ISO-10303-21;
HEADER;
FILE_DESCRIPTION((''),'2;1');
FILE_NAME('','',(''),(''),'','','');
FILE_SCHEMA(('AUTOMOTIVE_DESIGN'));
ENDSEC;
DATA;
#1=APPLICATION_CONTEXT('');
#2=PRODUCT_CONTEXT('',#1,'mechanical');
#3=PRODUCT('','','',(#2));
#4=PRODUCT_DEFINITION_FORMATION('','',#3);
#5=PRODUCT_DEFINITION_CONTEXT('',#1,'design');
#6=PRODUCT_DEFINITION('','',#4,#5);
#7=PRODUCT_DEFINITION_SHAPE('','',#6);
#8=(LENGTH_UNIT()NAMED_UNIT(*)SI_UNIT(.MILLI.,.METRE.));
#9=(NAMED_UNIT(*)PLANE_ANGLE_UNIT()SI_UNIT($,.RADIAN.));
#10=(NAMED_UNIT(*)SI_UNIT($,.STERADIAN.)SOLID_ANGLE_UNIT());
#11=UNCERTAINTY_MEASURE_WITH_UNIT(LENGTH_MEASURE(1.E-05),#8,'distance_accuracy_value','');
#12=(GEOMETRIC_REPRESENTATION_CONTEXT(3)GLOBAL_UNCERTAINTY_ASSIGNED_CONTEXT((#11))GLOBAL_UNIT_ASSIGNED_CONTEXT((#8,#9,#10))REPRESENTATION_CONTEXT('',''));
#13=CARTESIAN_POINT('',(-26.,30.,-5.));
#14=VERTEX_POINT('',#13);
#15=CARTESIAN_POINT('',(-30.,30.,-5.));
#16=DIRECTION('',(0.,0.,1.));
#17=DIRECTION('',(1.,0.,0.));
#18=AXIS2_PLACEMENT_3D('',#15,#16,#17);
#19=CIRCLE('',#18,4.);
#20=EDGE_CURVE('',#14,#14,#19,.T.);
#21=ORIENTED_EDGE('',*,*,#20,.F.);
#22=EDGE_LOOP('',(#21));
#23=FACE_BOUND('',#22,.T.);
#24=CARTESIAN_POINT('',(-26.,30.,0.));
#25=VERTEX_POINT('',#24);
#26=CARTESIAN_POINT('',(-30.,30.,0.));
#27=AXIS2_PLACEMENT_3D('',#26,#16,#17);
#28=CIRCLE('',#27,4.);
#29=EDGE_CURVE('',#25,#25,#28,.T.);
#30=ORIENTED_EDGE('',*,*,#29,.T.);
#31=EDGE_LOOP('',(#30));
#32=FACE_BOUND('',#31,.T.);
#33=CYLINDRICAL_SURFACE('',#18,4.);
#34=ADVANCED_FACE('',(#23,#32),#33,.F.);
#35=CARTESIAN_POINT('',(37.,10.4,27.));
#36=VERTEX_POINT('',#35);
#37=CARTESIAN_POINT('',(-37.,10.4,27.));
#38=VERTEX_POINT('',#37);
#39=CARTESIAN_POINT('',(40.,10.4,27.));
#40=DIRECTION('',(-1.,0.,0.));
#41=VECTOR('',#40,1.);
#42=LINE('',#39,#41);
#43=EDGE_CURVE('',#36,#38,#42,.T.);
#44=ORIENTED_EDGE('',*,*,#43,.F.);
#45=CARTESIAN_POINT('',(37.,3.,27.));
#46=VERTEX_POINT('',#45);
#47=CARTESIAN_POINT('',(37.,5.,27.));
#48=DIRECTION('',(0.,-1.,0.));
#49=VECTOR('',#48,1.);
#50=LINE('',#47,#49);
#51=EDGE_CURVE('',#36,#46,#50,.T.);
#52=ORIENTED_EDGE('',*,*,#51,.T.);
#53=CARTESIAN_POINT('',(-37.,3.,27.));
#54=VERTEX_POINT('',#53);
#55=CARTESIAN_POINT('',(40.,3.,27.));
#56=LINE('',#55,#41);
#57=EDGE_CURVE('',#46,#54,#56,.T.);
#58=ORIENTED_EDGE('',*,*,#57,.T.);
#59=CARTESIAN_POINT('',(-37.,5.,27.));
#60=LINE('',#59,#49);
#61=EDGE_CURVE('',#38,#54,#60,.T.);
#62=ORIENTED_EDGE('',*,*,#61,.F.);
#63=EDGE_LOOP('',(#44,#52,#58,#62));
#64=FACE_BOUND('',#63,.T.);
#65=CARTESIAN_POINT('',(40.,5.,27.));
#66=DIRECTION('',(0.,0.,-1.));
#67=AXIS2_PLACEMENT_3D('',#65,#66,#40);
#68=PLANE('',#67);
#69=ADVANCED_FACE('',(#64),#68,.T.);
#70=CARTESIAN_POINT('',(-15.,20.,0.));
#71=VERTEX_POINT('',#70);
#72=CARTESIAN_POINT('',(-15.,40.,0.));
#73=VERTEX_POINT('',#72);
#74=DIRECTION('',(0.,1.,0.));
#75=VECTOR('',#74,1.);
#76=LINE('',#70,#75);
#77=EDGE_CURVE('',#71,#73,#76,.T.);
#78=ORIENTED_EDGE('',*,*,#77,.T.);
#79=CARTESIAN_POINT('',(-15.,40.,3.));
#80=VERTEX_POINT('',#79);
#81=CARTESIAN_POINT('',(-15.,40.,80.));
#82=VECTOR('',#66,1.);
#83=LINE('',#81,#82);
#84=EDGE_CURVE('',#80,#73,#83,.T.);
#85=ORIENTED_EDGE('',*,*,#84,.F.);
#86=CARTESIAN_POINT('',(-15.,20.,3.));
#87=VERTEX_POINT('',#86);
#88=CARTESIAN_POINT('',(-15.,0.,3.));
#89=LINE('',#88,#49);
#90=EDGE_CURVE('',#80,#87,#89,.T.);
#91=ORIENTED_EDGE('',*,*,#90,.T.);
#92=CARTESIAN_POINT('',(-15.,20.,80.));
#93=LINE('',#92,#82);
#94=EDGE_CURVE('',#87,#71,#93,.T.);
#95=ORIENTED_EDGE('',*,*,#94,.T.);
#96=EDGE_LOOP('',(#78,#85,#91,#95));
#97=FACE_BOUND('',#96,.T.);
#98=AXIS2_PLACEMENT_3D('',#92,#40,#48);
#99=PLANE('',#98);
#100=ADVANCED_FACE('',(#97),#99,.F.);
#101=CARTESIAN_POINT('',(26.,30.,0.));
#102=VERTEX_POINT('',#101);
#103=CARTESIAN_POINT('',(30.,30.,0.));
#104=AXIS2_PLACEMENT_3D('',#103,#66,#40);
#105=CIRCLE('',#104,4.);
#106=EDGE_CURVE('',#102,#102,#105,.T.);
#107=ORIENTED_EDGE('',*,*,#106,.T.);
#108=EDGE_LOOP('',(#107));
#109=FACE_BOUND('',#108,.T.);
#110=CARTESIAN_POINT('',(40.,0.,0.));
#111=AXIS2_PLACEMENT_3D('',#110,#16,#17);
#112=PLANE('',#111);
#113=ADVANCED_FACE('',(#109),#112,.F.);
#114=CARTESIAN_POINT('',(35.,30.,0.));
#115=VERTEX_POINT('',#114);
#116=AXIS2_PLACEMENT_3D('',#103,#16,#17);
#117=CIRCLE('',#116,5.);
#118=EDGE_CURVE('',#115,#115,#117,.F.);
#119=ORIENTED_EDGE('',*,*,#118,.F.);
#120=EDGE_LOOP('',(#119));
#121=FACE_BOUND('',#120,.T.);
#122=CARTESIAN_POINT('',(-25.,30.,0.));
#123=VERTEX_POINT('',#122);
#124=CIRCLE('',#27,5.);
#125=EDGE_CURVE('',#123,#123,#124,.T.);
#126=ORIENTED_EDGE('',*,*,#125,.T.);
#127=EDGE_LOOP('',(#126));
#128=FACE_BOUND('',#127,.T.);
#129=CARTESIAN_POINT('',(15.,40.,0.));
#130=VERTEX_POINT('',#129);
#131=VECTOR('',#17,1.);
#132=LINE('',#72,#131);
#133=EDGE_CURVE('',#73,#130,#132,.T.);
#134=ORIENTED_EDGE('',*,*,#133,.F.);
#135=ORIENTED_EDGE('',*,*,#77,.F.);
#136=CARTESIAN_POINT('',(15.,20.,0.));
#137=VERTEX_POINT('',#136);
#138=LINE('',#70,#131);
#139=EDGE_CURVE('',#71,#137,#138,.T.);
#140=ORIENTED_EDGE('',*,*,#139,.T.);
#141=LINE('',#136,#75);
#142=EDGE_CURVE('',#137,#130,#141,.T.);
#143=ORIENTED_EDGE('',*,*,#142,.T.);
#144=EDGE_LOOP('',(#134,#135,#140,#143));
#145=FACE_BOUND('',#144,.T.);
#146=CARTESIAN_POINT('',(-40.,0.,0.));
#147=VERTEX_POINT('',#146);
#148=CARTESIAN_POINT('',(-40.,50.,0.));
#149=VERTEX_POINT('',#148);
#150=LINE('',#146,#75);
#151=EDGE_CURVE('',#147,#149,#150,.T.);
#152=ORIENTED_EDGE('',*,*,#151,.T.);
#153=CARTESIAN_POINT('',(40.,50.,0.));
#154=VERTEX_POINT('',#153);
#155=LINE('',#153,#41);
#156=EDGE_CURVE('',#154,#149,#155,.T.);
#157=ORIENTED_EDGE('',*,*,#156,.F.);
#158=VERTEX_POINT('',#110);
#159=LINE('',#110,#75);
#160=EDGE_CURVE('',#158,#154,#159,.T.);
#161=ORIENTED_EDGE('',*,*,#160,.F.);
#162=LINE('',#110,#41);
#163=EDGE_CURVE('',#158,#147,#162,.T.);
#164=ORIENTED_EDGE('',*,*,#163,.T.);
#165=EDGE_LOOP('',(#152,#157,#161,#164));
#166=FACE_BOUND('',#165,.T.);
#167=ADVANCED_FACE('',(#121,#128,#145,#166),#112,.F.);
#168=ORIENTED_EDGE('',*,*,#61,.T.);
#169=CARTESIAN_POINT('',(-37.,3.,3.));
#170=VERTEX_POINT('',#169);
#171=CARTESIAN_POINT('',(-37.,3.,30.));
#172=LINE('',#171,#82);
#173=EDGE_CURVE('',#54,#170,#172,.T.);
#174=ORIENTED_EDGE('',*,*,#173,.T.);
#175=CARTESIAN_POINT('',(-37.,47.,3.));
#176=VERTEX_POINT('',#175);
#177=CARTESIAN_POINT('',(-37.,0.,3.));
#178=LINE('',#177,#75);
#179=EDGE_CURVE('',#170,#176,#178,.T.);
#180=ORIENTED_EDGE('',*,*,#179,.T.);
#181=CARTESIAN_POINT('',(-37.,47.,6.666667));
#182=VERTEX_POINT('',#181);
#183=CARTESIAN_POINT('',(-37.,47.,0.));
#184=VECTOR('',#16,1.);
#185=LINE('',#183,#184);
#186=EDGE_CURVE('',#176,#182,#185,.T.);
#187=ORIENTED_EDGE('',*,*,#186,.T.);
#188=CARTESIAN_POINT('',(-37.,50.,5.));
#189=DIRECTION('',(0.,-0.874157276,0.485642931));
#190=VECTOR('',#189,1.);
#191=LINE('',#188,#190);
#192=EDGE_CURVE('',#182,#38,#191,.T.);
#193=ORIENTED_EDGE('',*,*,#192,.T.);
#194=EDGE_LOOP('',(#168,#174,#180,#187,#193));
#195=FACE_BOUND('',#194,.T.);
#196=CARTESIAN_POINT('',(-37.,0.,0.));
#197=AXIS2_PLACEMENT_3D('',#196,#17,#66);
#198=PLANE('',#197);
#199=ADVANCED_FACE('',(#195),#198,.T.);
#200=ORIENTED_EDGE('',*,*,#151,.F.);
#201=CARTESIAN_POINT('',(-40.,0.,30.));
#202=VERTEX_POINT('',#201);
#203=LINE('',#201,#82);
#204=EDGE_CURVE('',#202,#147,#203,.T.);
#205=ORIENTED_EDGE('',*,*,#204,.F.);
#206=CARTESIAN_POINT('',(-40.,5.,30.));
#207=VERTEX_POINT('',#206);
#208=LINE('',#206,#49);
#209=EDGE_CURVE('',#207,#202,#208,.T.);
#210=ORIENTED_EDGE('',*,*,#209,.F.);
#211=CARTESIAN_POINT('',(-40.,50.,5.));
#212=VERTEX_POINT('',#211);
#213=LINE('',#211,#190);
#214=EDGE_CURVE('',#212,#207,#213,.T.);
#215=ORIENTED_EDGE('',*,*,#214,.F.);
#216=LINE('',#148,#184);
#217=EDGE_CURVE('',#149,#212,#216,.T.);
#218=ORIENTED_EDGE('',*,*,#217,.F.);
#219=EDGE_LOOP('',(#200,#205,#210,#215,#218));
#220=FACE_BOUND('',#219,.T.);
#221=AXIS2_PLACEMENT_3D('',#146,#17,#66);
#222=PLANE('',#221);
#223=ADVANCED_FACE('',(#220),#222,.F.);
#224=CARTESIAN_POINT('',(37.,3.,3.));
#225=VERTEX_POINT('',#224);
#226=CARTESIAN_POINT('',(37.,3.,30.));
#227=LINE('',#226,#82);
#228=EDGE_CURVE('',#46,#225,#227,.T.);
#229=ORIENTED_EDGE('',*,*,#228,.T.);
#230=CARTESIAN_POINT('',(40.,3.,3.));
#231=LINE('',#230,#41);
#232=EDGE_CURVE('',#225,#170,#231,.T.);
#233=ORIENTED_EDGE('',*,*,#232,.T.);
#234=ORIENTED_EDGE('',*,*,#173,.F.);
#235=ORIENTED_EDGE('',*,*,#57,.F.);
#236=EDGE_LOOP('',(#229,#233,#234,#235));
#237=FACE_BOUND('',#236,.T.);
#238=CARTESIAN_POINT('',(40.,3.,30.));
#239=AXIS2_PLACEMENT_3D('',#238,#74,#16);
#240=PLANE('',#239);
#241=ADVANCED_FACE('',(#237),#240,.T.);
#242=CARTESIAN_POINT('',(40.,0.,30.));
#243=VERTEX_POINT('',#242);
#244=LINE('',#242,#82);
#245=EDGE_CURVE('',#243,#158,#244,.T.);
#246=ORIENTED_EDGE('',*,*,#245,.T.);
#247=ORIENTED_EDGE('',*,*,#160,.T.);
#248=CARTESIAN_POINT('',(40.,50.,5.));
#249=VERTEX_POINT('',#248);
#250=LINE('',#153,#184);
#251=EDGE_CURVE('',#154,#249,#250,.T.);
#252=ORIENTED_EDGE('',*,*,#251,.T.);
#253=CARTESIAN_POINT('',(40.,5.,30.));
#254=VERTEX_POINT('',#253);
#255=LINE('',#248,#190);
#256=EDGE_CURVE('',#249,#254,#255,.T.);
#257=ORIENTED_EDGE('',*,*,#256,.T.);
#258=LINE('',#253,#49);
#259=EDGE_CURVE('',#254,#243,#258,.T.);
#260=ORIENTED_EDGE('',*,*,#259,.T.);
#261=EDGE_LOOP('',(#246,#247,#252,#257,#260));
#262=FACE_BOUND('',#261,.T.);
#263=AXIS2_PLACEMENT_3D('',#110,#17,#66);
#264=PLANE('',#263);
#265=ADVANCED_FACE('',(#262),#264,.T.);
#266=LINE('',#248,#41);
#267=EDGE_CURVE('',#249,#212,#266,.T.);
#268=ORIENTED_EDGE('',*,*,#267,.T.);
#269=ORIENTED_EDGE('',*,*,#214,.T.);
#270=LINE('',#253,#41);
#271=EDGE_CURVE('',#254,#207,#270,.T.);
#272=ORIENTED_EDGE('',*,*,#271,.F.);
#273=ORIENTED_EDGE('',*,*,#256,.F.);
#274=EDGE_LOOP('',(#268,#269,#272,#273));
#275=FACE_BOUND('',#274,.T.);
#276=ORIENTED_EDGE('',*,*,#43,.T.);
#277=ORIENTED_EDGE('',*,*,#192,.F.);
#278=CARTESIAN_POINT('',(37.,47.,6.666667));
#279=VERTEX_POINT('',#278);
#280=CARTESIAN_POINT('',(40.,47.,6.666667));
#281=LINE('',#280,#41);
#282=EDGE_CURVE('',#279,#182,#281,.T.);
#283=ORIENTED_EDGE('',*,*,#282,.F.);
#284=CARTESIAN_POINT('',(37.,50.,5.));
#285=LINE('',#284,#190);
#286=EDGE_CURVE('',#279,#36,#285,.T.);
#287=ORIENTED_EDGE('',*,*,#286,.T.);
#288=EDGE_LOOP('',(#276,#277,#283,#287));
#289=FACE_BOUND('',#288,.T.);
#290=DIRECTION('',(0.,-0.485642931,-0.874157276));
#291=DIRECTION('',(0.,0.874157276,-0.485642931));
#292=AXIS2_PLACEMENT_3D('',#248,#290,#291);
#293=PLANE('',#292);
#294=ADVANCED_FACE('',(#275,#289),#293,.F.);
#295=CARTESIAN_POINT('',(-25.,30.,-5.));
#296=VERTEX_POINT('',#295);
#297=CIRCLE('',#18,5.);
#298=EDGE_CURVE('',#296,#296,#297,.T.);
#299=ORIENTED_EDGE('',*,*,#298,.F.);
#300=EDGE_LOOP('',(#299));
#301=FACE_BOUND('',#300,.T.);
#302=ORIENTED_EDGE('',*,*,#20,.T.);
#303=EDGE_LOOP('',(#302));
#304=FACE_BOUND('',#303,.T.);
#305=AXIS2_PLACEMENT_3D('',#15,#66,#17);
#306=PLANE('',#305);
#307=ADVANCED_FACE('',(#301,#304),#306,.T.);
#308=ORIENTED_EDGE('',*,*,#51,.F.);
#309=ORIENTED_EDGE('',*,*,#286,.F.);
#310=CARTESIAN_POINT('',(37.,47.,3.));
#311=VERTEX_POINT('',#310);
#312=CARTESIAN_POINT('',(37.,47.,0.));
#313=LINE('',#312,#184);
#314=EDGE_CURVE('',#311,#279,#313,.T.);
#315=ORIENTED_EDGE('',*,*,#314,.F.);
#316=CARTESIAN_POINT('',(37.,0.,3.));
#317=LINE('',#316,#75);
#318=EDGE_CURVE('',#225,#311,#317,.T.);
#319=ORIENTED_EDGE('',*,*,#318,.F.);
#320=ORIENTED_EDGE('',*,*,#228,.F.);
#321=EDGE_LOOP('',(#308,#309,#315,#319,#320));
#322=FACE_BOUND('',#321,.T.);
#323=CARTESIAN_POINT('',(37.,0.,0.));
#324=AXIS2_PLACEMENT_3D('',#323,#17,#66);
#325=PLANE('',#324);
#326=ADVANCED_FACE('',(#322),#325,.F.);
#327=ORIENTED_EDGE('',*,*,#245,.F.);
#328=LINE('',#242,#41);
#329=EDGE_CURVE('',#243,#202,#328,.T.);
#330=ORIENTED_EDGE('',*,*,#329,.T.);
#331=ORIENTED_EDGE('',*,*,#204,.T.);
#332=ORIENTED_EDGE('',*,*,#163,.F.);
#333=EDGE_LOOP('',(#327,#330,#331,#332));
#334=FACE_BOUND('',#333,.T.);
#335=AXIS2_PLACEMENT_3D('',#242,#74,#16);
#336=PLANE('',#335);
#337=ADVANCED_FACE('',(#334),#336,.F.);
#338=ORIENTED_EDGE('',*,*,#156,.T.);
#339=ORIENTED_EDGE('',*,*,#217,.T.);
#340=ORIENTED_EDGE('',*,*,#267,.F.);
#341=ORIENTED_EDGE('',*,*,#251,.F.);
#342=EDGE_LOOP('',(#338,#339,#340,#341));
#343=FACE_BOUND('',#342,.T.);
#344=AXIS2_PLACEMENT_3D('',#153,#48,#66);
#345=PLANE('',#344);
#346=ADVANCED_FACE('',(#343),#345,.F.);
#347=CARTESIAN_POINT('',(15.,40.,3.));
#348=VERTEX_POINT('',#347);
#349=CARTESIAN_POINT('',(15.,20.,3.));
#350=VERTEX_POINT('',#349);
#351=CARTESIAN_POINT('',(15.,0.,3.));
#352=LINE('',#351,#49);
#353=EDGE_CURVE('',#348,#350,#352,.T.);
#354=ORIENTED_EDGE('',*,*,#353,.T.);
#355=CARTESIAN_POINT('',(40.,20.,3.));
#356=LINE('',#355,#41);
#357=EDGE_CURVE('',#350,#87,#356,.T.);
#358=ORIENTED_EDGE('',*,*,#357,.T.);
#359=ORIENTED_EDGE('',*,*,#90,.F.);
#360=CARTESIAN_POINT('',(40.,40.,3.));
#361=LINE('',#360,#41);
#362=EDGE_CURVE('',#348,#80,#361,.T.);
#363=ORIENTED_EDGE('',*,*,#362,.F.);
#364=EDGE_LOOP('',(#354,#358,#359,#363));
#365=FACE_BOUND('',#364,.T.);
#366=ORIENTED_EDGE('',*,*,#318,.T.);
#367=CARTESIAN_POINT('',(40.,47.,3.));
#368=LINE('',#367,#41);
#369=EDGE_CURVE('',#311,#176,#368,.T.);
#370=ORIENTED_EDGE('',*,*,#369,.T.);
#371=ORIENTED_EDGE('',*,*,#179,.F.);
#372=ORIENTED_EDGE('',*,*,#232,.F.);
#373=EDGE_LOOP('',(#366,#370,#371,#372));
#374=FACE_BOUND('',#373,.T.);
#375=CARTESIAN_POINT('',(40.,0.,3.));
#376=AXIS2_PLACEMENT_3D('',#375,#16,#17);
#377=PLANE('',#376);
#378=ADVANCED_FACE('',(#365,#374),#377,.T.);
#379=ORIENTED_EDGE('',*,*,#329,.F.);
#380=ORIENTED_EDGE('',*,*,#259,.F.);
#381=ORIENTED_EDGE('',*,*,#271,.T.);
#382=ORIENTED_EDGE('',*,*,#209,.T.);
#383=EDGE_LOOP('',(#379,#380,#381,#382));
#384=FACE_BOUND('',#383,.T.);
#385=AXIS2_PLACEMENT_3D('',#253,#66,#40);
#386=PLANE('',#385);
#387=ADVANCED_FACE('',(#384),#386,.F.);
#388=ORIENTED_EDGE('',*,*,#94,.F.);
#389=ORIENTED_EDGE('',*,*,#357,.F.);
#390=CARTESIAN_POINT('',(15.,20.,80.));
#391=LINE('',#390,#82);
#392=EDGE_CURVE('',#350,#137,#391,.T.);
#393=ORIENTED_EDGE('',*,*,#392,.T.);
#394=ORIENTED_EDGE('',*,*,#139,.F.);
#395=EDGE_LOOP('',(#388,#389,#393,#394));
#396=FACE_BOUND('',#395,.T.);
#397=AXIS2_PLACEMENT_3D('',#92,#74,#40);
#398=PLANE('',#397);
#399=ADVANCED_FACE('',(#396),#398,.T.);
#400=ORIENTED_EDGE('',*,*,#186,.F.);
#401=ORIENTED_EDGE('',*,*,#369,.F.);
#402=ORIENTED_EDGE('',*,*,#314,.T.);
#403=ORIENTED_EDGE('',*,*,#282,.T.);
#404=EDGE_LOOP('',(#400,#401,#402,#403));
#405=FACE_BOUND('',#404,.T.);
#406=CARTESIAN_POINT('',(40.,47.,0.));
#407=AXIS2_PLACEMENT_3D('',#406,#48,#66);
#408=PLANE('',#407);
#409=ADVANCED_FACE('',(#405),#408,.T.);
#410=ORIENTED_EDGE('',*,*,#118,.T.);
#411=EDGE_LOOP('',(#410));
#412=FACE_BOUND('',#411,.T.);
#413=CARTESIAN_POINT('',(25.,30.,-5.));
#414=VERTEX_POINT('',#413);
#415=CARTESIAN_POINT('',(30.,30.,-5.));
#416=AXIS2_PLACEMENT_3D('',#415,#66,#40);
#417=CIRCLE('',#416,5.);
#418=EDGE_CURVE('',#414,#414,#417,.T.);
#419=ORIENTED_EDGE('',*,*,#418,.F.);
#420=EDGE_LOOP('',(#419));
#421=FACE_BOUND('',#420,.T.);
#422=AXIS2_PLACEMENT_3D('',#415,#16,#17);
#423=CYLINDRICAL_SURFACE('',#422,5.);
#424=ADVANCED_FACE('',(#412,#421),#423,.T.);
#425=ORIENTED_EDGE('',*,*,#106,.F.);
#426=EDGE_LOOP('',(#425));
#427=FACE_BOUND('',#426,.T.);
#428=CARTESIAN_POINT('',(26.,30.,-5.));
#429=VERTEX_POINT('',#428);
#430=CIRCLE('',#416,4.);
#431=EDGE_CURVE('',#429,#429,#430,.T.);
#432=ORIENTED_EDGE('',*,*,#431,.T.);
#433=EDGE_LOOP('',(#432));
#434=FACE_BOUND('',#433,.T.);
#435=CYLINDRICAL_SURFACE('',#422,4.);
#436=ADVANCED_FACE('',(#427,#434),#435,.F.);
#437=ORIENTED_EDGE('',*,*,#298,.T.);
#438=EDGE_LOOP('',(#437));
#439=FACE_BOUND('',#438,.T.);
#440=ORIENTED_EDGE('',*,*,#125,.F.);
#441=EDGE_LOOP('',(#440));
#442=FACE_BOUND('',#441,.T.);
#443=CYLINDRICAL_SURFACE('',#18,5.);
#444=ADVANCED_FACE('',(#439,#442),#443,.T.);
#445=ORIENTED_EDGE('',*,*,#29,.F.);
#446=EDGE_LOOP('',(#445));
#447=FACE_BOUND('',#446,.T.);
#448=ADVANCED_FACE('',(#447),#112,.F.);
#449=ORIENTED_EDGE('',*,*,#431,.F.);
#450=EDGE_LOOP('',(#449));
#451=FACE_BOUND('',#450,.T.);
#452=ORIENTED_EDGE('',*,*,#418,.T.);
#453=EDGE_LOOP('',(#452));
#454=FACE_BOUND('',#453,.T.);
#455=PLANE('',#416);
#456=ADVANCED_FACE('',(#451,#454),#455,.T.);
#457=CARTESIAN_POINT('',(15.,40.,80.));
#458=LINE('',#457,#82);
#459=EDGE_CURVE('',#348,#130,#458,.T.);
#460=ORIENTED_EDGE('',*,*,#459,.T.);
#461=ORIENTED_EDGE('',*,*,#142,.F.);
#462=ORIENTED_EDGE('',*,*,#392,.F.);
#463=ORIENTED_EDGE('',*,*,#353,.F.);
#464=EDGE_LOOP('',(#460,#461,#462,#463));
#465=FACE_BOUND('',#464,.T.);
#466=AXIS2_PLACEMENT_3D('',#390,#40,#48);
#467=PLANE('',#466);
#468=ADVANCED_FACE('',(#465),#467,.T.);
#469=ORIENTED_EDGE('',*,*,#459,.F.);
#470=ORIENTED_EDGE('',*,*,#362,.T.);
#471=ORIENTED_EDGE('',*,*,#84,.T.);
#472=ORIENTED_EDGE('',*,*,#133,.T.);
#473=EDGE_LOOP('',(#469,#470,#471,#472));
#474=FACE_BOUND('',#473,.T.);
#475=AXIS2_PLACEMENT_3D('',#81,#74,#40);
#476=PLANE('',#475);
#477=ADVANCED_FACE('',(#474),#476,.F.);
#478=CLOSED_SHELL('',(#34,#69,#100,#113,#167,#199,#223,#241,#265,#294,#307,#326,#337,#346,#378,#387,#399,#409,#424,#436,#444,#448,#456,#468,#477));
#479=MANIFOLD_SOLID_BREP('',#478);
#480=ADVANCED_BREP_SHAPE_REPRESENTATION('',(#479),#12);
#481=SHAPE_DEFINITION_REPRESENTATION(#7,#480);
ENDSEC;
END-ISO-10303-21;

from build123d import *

# Parameters (mm, degrees)
P_IDAT_VYSUNUT_M1_DEPTH  = 40
SKO_EPINA1_T             = -3
SKICA2_W                 = 30
SKICA2_H                 = 20
ODEBRAT_VYSUNUT_M1_DEPTH = 80
SKICA2_3_R               = 5
SKICA2_3_R_2             = 4
P_IDAT_VYSUNUT_M2_DEPTH  = 5


with BuildPart() as part:
    # Skica1 → P_idat vysunut_m1 (new, symmetric)
    with BuildSketch(Plane(origin=(0, 0, 0), x_dir=(0, 0, -1), z_dir=(1, 0, 0))):
        Polygon((-30, 0), (0, 0), (0, 50), (-5, 50), (-30, 5), align=None)
    extrude(amount=P_IDAT_VYSUNUT_M1_DEPTH, both=True)

    # Sko_epina1
    sko_epina1_openings = [part.faces().sort_by_distance(p)[0] for p in [
        (0, 27.5, 17.5),
    ]]
    offset(amount=SKO_EPINA1_T, openings=sko_epina1_openings, kind=Kind.INTERSECTION)

    # Skica2 → Odebrat vysunut_m1 (cut)
    with BuildSketch(Plane(origin=(0, 0, 0), x_dir=(-1, 0, 0), z_dir=(0, 0, -1))):
        with Locations((0, 30)):
            Rectangle(SKICA2_W, SKICA2_H)
    extrude(amount=-ODEBRAT_VYSUNUT_M1_DEPTH, mode=Mode.SUBTRACT)

    # Skica2<3> → P_idat vysunut_m2 (add)
    with BuildSketch(Plane(origin=(0, 0, 0), x_dir=(-1, 0, 0), z_dir=(0, 0, -1))):
        with Locations((-30, 30)):
            Circle(SKICA2_3_R)
        with Locations((-30, 30)):
            Circle(SKICA2_3_R_2, mode=Mode.SUBTRACT)
    p_idat_vysunut_m2 = extrude(amount=P_IDAT_VYSUNUT_M2_DEPTH)

    # Zrcadlit1: P_idat vysunut_m2 across plane
    add(p_idat_vysunut_m2.mirror(Plane(origin=(0, 0, 0), x_dir=(0, 0, 1), z_dir=(1, 0, 0))))


solid = part.part
